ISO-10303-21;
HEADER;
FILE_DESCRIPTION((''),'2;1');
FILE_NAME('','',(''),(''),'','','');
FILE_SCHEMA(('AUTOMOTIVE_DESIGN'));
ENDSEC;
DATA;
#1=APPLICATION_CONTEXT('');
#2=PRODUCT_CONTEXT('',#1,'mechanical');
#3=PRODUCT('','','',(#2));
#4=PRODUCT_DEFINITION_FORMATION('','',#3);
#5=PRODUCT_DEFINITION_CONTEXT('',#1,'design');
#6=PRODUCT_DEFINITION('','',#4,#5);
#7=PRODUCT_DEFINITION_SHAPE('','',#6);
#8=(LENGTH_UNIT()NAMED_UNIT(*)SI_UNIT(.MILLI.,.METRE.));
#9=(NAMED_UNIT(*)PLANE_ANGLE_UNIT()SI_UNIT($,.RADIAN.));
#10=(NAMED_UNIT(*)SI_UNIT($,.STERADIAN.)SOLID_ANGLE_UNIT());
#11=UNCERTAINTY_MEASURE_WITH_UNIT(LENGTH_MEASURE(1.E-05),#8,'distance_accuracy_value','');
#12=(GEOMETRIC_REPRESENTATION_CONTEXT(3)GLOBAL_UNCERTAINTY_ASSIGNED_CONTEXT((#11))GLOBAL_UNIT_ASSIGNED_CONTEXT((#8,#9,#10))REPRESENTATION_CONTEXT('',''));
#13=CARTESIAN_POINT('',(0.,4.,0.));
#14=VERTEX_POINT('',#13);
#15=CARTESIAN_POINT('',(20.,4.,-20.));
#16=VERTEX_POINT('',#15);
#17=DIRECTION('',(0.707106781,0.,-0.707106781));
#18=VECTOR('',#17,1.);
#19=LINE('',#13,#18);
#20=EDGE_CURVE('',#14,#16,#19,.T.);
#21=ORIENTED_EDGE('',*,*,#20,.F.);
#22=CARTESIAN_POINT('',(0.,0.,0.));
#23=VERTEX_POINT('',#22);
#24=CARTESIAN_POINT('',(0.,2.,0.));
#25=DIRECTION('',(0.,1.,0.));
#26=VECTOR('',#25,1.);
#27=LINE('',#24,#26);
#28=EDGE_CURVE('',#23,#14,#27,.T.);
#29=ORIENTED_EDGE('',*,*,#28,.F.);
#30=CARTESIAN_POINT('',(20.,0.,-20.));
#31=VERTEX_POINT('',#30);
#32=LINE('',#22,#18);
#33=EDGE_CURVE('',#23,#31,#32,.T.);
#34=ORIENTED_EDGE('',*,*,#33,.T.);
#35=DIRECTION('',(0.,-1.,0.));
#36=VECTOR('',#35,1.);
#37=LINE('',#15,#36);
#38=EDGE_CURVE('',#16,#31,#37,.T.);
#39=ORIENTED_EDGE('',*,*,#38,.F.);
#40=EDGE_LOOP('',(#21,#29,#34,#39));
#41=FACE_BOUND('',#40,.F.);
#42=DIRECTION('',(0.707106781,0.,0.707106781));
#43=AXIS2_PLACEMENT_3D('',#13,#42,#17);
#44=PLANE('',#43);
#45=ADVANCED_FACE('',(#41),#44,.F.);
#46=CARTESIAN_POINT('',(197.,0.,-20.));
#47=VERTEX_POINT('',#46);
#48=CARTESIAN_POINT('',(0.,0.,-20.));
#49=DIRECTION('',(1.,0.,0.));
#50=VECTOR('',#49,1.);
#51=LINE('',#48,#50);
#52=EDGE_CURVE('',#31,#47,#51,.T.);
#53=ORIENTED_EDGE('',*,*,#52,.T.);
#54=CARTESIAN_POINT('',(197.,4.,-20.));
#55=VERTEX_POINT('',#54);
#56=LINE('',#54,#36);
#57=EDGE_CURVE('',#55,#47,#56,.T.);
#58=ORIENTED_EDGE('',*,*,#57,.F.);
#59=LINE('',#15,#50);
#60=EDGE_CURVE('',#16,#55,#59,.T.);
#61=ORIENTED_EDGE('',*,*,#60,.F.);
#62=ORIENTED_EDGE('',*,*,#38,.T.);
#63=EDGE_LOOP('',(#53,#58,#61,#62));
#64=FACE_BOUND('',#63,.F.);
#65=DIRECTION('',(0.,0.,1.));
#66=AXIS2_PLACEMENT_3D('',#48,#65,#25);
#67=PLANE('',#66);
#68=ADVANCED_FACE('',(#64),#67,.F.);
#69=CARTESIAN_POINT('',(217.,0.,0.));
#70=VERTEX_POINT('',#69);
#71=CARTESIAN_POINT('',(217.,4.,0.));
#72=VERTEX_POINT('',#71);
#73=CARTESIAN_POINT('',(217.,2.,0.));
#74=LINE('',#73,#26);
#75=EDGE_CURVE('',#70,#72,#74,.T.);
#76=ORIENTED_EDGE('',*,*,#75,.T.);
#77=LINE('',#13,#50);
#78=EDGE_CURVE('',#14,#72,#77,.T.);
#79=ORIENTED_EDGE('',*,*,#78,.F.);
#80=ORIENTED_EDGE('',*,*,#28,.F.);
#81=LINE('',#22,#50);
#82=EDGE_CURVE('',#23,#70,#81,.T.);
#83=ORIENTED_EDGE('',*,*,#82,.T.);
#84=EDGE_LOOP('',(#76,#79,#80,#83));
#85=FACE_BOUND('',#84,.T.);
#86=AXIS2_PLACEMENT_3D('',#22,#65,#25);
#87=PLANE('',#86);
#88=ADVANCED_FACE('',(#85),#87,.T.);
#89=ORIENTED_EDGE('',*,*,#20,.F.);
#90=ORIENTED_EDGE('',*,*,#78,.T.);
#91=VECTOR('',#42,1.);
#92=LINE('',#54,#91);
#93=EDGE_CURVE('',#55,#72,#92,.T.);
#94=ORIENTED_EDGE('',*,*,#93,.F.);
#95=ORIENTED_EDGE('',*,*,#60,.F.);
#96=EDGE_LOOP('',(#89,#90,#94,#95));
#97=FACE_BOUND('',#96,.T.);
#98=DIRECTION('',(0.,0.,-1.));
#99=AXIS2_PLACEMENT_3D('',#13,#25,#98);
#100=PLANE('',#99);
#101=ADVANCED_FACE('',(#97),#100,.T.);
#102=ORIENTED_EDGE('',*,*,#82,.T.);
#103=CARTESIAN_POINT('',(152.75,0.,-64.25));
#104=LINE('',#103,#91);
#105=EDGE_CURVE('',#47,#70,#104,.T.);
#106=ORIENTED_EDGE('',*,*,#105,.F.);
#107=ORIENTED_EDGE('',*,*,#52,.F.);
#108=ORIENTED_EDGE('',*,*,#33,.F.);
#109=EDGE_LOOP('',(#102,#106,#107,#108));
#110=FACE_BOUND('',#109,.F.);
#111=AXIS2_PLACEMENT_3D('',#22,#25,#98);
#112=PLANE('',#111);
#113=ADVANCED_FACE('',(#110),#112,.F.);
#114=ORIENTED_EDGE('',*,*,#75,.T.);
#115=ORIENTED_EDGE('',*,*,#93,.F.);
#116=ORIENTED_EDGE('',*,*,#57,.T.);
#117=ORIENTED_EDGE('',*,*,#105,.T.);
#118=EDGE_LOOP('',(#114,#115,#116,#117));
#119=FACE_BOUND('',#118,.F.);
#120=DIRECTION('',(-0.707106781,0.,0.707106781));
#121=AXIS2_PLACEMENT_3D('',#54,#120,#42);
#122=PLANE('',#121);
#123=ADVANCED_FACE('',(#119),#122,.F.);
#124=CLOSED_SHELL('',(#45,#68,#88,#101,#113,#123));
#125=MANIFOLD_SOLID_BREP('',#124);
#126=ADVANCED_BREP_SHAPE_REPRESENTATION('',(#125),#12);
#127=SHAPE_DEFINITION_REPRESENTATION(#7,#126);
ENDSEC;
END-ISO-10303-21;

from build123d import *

# Parameters (mm, degrees)
SKETCH_1_W          = 20
SKETCH_1_H          = 4
EXTRUDE_1_DEPTH     = 217
SKETCH_2_OUTSIDE_W  = 262.592
SKETCH_2_OUTSIDE_H  = 65.592
CUT_EXTRUDE_1_DEPTH = 10


with BuildPart() as part:
    # Эскиз1 → Бобышка-Вытянуть1 (new body)
    with BuildSketch(Plane(origin=(0, 0, 0), x_dir=(0, 0, -1), z_dir=(1, 0, 0))):
        with Locations((10, 2)):
            Rectangle(SKETCH_1_W, SKETCH_1_H)
    extrude(amount=EXTRUDE_1_DEPTH)

    # Эскиз2 outside → Вырез-Вытянуть1 (cut)
    with BuildSketch(Plane(origin=(0, 4, 0), x_dir=(1, 0, 0), z_dir=(0, 1, 0))):
        with Locations((108.5, 10)):
            Rectangle(SKETCH_2_OUTSIDE_W, SKETCH_2_OUTSIDE_H)
        Polygon((0, 0), (20, 20), (197, 20), (217, 0), align=None, mode=Mode.SUBTRACT)
    extrude(amount=-CUT_EXTRUDE_1_DEPTH, mode=Mode.SUBTRACT)


solid = part.part
